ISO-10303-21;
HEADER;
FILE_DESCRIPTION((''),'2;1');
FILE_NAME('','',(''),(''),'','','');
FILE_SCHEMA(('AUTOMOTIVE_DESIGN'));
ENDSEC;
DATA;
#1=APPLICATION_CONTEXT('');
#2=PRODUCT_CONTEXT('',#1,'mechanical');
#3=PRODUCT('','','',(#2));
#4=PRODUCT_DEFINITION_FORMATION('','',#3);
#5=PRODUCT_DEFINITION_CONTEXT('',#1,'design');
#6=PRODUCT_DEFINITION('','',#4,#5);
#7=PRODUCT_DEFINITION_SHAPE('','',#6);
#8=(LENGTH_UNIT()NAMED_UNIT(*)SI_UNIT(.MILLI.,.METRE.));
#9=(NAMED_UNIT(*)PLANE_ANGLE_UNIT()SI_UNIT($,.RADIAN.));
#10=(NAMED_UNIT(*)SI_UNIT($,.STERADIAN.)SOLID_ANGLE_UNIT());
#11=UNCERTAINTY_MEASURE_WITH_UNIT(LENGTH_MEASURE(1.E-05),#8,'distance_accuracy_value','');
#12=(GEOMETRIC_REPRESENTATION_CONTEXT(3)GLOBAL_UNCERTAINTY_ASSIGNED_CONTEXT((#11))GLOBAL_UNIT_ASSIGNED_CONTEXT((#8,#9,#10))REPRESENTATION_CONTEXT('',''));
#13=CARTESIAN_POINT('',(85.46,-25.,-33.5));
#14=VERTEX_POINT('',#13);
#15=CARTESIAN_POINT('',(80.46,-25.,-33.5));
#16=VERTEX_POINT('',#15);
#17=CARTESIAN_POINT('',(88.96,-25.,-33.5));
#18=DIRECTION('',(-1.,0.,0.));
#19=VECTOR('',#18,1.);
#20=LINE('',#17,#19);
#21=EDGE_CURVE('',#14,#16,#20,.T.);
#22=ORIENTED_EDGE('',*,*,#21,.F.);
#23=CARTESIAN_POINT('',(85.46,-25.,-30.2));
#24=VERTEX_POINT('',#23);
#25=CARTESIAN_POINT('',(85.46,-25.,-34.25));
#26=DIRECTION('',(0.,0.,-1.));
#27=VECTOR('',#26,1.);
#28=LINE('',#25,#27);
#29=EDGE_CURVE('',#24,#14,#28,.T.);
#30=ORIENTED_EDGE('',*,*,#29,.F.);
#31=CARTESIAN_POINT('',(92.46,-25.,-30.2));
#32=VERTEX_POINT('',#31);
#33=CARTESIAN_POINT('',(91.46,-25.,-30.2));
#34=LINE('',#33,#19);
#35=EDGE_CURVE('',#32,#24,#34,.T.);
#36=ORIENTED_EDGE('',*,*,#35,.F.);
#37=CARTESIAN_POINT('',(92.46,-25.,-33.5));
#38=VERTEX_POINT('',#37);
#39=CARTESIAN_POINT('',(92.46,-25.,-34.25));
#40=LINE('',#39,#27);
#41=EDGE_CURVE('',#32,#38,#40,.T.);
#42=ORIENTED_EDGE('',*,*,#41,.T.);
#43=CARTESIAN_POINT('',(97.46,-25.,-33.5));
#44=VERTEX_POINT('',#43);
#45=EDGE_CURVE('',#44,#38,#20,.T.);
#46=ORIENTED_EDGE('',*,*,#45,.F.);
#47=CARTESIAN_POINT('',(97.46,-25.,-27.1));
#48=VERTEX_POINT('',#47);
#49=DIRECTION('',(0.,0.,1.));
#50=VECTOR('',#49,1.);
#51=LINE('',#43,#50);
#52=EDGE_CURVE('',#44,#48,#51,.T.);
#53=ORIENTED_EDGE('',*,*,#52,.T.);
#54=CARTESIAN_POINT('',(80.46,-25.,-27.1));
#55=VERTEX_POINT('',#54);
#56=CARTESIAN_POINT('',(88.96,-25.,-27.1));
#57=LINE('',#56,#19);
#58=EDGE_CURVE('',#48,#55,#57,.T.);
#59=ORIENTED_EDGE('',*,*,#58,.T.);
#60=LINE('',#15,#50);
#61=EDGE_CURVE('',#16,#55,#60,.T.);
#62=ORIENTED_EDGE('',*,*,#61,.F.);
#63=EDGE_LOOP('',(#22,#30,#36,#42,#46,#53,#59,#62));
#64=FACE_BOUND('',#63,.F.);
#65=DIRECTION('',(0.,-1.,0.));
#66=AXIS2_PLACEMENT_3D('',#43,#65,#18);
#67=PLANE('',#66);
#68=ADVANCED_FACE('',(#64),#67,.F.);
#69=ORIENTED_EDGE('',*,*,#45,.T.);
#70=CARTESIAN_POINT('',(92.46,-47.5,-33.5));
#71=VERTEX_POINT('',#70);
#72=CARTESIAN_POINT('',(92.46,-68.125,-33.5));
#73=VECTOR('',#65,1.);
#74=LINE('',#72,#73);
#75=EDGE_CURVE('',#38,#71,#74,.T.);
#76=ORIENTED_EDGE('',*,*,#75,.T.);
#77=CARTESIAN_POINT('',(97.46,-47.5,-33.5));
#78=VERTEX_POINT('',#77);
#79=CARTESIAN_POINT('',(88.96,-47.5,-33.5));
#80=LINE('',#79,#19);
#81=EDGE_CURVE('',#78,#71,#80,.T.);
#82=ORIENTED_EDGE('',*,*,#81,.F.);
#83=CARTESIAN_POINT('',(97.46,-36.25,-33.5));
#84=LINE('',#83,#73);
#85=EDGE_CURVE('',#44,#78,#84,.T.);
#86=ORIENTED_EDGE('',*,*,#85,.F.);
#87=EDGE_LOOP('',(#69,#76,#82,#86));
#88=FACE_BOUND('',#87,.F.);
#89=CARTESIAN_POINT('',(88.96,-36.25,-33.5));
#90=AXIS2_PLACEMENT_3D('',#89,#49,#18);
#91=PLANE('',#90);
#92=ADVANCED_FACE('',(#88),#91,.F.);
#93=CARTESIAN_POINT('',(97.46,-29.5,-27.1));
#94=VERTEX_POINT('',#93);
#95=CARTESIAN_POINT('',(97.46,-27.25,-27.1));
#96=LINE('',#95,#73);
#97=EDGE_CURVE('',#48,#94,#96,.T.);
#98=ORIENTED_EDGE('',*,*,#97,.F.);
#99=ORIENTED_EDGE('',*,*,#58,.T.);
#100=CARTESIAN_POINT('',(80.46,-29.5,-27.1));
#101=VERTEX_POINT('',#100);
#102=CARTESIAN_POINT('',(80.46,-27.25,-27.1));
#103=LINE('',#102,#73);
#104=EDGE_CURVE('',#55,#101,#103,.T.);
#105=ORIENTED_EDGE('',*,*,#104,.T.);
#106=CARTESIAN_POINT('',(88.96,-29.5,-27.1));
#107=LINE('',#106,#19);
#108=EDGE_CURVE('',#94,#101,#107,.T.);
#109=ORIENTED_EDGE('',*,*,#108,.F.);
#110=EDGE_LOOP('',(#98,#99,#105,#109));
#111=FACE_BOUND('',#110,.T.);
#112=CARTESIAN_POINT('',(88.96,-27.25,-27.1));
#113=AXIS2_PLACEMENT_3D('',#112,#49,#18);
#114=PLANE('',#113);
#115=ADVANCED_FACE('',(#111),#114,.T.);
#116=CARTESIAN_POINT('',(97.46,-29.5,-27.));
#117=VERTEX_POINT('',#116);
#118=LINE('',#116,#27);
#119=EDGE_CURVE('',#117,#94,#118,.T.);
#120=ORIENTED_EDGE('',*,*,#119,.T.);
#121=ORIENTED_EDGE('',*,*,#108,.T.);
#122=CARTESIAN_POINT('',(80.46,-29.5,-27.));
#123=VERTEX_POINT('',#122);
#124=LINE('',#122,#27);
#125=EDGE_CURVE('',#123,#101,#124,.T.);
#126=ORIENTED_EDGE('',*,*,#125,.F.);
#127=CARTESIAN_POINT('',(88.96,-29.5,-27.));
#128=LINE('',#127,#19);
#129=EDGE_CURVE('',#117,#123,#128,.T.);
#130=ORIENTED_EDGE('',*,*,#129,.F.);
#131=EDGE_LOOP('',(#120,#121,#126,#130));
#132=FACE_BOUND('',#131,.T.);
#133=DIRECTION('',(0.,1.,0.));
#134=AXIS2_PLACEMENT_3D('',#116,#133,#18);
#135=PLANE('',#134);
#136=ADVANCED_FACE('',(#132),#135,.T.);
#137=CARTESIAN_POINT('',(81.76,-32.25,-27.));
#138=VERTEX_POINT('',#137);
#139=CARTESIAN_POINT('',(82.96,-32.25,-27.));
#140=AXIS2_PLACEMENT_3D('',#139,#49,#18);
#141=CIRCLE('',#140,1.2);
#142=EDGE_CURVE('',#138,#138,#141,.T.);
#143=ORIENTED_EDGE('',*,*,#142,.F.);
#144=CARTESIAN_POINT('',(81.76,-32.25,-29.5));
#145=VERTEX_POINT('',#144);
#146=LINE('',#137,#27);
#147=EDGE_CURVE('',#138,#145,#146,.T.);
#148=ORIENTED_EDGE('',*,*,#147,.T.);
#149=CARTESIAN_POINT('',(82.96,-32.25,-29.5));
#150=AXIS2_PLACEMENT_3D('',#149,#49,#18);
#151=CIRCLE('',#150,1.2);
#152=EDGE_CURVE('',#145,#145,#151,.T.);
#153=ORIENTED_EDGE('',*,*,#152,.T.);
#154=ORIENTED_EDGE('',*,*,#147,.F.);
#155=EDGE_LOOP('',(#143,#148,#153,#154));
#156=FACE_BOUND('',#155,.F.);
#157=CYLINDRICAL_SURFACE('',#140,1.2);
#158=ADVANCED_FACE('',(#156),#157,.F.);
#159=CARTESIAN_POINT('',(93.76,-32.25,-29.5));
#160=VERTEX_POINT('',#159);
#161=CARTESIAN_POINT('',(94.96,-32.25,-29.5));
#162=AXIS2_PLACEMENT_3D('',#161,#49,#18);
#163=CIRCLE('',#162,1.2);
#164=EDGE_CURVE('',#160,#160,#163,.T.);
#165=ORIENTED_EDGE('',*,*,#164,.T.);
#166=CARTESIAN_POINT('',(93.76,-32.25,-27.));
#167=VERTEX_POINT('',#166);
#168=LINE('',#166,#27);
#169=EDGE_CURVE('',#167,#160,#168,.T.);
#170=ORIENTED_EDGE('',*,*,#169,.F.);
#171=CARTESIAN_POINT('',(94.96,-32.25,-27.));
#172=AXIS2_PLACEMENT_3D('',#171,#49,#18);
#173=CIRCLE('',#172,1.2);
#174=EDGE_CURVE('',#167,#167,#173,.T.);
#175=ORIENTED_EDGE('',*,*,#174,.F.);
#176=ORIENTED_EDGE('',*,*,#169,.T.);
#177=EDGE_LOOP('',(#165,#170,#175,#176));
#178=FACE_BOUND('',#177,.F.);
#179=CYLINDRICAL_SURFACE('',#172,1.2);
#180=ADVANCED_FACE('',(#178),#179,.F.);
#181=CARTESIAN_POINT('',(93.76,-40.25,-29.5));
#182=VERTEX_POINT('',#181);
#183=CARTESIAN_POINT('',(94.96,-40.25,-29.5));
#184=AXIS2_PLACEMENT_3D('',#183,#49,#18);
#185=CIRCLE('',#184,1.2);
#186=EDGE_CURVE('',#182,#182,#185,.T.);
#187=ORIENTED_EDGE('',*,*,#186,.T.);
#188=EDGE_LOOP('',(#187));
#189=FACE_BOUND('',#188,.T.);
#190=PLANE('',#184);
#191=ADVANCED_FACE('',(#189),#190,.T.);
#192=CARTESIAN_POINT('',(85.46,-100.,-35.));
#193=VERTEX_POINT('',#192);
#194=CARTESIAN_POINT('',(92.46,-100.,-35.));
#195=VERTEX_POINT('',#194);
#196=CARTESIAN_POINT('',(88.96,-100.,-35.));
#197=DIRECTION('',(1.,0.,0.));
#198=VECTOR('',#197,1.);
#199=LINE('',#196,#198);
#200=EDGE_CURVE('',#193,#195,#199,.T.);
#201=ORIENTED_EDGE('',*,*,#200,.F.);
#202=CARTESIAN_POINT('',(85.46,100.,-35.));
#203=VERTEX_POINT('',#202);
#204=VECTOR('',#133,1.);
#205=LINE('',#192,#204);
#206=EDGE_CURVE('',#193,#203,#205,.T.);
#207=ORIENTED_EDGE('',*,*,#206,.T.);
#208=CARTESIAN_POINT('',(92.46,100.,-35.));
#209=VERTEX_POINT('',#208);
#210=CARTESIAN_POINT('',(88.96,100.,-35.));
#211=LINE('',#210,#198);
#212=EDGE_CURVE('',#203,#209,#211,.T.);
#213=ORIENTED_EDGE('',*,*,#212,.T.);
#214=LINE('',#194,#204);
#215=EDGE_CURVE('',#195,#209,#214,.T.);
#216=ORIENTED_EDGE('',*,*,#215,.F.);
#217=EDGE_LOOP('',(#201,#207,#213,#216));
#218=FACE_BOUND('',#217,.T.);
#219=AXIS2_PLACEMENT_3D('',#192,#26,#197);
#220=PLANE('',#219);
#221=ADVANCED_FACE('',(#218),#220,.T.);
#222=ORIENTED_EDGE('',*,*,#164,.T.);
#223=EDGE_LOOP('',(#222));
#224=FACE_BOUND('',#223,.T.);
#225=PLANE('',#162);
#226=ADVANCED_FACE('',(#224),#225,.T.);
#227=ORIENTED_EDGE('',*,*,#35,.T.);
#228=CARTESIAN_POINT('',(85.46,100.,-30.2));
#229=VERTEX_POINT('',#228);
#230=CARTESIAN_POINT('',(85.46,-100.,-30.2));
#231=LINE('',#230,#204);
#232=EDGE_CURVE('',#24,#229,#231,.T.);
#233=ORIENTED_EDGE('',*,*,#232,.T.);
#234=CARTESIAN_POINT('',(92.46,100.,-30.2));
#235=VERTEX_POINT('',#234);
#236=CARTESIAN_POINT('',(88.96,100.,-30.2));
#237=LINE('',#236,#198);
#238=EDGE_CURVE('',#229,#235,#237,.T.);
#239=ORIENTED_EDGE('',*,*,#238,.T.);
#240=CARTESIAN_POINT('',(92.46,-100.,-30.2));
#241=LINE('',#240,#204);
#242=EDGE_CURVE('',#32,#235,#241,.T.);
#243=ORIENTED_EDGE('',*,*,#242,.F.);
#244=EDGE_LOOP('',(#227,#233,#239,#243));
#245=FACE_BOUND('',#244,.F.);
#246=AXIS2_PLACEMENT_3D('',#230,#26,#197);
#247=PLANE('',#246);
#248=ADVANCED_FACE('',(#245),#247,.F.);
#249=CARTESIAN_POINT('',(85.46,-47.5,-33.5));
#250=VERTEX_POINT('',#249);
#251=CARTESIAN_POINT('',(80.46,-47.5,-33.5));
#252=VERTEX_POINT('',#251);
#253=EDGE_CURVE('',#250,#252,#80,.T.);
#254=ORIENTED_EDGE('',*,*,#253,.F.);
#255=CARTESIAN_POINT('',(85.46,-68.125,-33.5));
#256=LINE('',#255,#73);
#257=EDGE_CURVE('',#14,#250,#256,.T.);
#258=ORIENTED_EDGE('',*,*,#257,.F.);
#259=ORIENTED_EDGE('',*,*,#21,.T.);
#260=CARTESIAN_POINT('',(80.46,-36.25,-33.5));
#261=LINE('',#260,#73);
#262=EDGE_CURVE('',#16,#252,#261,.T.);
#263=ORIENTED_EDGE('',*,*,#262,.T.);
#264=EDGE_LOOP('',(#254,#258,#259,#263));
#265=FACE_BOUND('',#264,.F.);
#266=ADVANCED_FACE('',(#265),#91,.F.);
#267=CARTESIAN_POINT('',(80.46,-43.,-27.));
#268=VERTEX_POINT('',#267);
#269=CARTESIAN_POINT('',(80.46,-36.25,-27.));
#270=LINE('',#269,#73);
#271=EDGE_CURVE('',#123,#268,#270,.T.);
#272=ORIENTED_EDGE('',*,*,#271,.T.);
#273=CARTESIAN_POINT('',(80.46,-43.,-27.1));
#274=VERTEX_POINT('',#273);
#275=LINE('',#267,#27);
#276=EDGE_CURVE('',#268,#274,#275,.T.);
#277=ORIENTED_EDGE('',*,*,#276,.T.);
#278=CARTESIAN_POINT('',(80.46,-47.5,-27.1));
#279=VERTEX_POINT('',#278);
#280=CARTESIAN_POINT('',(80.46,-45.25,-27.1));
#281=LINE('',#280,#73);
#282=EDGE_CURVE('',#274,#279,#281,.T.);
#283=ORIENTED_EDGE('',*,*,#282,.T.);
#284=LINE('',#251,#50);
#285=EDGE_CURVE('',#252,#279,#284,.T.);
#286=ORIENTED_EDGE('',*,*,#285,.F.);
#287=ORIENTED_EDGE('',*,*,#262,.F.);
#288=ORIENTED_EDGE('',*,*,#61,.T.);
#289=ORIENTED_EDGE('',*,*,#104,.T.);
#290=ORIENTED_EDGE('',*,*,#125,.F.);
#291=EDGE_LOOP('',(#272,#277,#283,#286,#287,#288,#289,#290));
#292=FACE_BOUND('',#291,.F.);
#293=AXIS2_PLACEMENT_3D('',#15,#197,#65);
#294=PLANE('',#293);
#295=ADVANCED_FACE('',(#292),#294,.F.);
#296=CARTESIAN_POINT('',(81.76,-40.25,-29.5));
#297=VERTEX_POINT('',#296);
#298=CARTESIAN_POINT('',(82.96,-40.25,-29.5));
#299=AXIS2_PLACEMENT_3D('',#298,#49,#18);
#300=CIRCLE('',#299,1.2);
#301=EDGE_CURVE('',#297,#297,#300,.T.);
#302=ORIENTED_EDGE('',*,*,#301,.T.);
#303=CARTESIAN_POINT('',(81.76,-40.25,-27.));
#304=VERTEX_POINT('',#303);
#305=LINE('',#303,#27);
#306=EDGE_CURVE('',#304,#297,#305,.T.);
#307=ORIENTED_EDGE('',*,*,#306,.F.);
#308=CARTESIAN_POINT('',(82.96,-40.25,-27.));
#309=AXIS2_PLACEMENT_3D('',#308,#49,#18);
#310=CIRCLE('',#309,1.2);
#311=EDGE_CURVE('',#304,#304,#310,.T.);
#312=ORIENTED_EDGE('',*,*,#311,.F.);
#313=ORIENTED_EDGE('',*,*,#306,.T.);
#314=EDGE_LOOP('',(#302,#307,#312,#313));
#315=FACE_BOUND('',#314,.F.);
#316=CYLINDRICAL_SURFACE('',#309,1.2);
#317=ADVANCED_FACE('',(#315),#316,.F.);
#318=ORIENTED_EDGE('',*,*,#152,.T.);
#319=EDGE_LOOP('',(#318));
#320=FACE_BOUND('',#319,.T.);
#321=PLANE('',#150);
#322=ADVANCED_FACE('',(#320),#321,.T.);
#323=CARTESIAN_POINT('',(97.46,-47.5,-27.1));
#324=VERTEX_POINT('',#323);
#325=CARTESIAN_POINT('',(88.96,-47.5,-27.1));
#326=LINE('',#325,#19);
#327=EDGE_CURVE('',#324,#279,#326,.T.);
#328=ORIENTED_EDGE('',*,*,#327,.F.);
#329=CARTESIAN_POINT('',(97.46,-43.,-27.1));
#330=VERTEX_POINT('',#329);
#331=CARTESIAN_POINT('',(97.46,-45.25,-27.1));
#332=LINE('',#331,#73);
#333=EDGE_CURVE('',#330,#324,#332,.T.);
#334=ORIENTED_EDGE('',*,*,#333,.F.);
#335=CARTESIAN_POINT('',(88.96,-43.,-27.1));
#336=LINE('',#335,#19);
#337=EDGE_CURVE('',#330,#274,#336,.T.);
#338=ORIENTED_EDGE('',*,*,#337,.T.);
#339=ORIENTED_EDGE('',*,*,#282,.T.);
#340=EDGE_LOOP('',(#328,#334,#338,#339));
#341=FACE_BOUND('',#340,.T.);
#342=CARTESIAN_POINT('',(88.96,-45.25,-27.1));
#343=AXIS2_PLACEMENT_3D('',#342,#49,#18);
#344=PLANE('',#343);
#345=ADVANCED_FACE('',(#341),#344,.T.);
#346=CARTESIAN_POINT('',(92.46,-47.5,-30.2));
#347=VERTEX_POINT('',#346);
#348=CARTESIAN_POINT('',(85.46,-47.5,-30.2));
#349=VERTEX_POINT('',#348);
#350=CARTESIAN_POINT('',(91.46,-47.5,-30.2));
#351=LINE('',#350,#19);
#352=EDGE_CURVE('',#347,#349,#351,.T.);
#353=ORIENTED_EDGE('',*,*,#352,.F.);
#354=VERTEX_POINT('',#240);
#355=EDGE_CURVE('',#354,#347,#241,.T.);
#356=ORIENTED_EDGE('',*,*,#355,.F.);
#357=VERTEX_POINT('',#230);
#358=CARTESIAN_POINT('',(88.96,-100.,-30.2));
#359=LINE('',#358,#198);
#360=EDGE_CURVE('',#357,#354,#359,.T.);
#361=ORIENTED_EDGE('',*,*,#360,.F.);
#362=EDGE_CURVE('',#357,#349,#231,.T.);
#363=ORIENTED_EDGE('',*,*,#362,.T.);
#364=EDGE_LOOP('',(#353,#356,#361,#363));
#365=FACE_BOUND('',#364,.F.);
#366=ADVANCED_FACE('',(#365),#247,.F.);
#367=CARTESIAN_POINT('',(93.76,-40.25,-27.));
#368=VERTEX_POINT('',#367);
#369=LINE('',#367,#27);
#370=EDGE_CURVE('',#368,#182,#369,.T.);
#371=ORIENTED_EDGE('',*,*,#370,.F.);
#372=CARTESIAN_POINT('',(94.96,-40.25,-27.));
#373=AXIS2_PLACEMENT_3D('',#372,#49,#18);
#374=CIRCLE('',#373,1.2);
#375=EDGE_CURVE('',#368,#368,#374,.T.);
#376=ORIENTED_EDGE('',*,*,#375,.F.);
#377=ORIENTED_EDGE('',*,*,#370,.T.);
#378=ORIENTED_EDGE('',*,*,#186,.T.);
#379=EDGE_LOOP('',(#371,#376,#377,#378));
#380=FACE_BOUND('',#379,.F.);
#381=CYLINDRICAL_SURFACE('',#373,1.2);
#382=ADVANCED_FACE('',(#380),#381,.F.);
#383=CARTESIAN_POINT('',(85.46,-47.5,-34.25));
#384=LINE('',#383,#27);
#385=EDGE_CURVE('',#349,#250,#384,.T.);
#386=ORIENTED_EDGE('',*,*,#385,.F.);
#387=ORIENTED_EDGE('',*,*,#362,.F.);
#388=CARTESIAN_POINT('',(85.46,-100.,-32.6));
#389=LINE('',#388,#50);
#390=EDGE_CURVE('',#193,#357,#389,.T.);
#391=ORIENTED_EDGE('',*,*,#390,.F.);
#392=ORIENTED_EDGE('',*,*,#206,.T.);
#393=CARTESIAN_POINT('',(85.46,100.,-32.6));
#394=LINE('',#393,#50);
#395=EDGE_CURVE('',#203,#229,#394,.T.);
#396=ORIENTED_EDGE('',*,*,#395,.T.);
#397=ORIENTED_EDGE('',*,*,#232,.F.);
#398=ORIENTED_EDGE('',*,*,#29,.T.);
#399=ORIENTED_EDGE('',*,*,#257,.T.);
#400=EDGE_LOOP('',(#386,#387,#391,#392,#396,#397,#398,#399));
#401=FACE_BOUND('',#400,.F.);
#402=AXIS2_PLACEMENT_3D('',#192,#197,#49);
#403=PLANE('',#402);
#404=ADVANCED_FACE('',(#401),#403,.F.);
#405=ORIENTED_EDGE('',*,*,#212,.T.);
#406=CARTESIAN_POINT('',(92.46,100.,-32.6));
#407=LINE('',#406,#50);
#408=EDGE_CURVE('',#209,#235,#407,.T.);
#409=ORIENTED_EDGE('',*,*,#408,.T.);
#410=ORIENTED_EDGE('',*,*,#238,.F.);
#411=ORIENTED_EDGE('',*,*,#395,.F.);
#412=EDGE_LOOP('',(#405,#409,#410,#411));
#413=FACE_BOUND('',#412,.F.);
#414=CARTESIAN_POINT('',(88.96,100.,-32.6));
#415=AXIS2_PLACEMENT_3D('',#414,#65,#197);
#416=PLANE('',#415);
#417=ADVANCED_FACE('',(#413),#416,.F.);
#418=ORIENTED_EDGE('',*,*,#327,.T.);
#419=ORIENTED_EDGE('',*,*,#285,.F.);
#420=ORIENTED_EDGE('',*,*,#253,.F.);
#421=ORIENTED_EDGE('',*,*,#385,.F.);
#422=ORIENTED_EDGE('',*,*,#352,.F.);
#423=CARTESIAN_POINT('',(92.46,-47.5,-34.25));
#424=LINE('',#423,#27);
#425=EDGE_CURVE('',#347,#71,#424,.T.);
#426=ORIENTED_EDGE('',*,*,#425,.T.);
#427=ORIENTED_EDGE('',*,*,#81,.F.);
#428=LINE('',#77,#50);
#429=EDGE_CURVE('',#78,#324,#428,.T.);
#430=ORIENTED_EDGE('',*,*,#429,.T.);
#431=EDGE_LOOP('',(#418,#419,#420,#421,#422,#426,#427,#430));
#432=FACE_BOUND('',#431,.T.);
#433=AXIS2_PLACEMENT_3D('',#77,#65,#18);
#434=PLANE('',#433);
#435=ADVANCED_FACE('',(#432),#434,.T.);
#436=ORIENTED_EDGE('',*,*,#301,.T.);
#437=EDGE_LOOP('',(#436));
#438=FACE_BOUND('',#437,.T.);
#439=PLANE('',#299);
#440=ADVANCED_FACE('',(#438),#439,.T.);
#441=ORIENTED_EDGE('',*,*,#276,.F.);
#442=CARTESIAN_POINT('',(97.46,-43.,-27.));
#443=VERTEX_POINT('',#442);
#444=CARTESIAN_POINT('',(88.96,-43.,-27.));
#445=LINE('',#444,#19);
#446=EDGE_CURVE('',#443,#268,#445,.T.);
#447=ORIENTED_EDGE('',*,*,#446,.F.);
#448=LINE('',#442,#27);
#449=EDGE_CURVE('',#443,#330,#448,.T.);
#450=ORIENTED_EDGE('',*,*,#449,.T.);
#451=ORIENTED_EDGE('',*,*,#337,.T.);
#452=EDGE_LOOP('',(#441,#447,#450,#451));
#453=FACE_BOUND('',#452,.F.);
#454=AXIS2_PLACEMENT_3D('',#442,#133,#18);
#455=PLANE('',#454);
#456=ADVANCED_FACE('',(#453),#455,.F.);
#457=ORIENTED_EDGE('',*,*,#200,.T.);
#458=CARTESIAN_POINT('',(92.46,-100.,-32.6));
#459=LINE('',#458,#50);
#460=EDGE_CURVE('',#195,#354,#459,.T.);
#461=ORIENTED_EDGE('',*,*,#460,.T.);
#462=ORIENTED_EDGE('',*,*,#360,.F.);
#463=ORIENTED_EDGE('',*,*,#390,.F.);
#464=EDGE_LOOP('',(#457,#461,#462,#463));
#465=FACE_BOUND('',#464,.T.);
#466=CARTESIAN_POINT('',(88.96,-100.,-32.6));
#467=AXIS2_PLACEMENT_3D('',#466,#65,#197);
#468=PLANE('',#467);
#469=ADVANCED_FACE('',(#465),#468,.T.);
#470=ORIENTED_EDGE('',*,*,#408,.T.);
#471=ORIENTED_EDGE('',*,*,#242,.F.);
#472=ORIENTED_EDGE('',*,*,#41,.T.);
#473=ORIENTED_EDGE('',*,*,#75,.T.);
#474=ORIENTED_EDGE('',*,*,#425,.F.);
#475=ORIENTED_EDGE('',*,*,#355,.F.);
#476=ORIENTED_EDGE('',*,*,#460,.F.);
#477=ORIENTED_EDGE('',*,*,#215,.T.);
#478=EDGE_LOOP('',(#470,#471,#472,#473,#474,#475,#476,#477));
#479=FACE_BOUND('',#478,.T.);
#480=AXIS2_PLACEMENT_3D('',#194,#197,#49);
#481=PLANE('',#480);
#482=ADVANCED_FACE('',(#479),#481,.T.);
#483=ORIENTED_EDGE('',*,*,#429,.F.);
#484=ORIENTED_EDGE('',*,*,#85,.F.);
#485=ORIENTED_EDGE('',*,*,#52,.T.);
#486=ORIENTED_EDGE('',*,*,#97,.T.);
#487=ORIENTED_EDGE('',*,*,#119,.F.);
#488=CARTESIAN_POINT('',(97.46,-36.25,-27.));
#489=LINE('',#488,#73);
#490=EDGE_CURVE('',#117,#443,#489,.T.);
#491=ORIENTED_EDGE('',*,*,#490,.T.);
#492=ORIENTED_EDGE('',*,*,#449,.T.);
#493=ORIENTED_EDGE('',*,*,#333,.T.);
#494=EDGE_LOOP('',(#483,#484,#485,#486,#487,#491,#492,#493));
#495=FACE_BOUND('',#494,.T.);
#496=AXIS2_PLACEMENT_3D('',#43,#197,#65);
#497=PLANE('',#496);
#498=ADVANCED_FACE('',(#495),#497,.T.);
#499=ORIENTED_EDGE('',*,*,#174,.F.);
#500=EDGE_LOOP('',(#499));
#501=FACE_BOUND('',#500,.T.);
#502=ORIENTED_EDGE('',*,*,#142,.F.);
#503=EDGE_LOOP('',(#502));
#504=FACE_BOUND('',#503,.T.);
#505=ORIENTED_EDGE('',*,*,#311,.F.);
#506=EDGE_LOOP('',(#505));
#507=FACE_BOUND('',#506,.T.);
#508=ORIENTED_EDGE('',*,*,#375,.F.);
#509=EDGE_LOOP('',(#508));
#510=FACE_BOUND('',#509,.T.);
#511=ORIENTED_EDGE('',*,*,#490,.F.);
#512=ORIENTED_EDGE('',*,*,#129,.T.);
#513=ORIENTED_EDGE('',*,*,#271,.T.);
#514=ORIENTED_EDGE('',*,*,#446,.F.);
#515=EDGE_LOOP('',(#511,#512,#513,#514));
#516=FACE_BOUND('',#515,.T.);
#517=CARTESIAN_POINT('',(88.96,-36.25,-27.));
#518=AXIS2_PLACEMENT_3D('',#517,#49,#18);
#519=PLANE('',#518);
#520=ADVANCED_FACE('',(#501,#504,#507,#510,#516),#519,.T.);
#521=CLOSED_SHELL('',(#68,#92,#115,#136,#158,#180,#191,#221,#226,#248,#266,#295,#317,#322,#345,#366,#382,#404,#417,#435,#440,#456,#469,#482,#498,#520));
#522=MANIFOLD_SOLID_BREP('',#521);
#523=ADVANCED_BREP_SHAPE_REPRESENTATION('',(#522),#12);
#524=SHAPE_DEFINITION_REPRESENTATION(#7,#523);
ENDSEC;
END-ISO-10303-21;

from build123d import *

# Parameters (mm, degrees)
SKETCH022_W     = 7
SKETCH022_H     = 4.8
PAD008_DEPTH    = 200
SKETCH023_W     = 17
SKETCH023_H     = 22.5
PAD009_DEPTH    = 6.5
SKETCH025_W     = 17
SKETCH025_H     = 4.5
POCKET014_DEPTH = 0.1
SKETCH024_R     = 1.2
POCKET015_DEPTH = 2.5


with BuildPart() as part:
    # Sketch022 → Pad008 (new body)
    with BuildSketch(Plane.XZ):
        with Locations((3.5, 2.4)):
            Rectangle(SKETCH022_W, SKETCH022_H)
    extrude(amount=-PAD008_DEPTH)

    # Sketch023 (on Face1 of Pad008) → Pad009 (join)
    with BuildSketch(Plane(origin=(0, 0, 1.5), x_dir=(-1, 0, 0), z_dir=(0, 0, 1))):
        with Locations((-3.5, -63.75)):
            Rectangle(SKETCH023_W, SKETCH023_H)
    extrude(amount=PAD009_DEPTH)

    # Sketch025 (on Face13 of Pad009) → Pocket014 (cut)
    with BuildSketch(Plane(origin=(0, 0, 8), x_dir=(-1, 0, 0), z_dir=(0, 0, 1))):
        with Locations((-3.5, -54.75)):
            Rectangle(SKETCH025_W, SKETCH025_H)
        with Locations((-3.5, -72.75)):
            Rectangle(SKETCH025_W, SKETCH025_H)
    extrude(amount=-POCKET014_DEPTH, mode=Mode.SUBTRACT)

    # Sketch024 (on Face17 of Pocket014) → Pocket015 (cut)
    with BuildSketch(Plane(origin=(0, 0, 8), x_dir=(-1, 0, 0), z_dir=(0, 0, 1))):
        with Locations((-9.5, -59.75)):
            Circle(SKETCH024_R)
        with Locations((2.5, -59.75)):
            Circle(SKETCH024_R)
        with Locations((2.5, -67.75)):
            Circle(SKETCH024_R)
        with Locations((-9.5, -67.75)):
            Circle(SKETCH024_R)
    extrude(amount=-POCKET015_DEPTH, mode=Mode.SUBTRACT)


with BuildPart() as part_1:
    # Body005 placement: moved
    add(part.part.moved(Location((85.46, -100, -35))))


solid = part_1.part
